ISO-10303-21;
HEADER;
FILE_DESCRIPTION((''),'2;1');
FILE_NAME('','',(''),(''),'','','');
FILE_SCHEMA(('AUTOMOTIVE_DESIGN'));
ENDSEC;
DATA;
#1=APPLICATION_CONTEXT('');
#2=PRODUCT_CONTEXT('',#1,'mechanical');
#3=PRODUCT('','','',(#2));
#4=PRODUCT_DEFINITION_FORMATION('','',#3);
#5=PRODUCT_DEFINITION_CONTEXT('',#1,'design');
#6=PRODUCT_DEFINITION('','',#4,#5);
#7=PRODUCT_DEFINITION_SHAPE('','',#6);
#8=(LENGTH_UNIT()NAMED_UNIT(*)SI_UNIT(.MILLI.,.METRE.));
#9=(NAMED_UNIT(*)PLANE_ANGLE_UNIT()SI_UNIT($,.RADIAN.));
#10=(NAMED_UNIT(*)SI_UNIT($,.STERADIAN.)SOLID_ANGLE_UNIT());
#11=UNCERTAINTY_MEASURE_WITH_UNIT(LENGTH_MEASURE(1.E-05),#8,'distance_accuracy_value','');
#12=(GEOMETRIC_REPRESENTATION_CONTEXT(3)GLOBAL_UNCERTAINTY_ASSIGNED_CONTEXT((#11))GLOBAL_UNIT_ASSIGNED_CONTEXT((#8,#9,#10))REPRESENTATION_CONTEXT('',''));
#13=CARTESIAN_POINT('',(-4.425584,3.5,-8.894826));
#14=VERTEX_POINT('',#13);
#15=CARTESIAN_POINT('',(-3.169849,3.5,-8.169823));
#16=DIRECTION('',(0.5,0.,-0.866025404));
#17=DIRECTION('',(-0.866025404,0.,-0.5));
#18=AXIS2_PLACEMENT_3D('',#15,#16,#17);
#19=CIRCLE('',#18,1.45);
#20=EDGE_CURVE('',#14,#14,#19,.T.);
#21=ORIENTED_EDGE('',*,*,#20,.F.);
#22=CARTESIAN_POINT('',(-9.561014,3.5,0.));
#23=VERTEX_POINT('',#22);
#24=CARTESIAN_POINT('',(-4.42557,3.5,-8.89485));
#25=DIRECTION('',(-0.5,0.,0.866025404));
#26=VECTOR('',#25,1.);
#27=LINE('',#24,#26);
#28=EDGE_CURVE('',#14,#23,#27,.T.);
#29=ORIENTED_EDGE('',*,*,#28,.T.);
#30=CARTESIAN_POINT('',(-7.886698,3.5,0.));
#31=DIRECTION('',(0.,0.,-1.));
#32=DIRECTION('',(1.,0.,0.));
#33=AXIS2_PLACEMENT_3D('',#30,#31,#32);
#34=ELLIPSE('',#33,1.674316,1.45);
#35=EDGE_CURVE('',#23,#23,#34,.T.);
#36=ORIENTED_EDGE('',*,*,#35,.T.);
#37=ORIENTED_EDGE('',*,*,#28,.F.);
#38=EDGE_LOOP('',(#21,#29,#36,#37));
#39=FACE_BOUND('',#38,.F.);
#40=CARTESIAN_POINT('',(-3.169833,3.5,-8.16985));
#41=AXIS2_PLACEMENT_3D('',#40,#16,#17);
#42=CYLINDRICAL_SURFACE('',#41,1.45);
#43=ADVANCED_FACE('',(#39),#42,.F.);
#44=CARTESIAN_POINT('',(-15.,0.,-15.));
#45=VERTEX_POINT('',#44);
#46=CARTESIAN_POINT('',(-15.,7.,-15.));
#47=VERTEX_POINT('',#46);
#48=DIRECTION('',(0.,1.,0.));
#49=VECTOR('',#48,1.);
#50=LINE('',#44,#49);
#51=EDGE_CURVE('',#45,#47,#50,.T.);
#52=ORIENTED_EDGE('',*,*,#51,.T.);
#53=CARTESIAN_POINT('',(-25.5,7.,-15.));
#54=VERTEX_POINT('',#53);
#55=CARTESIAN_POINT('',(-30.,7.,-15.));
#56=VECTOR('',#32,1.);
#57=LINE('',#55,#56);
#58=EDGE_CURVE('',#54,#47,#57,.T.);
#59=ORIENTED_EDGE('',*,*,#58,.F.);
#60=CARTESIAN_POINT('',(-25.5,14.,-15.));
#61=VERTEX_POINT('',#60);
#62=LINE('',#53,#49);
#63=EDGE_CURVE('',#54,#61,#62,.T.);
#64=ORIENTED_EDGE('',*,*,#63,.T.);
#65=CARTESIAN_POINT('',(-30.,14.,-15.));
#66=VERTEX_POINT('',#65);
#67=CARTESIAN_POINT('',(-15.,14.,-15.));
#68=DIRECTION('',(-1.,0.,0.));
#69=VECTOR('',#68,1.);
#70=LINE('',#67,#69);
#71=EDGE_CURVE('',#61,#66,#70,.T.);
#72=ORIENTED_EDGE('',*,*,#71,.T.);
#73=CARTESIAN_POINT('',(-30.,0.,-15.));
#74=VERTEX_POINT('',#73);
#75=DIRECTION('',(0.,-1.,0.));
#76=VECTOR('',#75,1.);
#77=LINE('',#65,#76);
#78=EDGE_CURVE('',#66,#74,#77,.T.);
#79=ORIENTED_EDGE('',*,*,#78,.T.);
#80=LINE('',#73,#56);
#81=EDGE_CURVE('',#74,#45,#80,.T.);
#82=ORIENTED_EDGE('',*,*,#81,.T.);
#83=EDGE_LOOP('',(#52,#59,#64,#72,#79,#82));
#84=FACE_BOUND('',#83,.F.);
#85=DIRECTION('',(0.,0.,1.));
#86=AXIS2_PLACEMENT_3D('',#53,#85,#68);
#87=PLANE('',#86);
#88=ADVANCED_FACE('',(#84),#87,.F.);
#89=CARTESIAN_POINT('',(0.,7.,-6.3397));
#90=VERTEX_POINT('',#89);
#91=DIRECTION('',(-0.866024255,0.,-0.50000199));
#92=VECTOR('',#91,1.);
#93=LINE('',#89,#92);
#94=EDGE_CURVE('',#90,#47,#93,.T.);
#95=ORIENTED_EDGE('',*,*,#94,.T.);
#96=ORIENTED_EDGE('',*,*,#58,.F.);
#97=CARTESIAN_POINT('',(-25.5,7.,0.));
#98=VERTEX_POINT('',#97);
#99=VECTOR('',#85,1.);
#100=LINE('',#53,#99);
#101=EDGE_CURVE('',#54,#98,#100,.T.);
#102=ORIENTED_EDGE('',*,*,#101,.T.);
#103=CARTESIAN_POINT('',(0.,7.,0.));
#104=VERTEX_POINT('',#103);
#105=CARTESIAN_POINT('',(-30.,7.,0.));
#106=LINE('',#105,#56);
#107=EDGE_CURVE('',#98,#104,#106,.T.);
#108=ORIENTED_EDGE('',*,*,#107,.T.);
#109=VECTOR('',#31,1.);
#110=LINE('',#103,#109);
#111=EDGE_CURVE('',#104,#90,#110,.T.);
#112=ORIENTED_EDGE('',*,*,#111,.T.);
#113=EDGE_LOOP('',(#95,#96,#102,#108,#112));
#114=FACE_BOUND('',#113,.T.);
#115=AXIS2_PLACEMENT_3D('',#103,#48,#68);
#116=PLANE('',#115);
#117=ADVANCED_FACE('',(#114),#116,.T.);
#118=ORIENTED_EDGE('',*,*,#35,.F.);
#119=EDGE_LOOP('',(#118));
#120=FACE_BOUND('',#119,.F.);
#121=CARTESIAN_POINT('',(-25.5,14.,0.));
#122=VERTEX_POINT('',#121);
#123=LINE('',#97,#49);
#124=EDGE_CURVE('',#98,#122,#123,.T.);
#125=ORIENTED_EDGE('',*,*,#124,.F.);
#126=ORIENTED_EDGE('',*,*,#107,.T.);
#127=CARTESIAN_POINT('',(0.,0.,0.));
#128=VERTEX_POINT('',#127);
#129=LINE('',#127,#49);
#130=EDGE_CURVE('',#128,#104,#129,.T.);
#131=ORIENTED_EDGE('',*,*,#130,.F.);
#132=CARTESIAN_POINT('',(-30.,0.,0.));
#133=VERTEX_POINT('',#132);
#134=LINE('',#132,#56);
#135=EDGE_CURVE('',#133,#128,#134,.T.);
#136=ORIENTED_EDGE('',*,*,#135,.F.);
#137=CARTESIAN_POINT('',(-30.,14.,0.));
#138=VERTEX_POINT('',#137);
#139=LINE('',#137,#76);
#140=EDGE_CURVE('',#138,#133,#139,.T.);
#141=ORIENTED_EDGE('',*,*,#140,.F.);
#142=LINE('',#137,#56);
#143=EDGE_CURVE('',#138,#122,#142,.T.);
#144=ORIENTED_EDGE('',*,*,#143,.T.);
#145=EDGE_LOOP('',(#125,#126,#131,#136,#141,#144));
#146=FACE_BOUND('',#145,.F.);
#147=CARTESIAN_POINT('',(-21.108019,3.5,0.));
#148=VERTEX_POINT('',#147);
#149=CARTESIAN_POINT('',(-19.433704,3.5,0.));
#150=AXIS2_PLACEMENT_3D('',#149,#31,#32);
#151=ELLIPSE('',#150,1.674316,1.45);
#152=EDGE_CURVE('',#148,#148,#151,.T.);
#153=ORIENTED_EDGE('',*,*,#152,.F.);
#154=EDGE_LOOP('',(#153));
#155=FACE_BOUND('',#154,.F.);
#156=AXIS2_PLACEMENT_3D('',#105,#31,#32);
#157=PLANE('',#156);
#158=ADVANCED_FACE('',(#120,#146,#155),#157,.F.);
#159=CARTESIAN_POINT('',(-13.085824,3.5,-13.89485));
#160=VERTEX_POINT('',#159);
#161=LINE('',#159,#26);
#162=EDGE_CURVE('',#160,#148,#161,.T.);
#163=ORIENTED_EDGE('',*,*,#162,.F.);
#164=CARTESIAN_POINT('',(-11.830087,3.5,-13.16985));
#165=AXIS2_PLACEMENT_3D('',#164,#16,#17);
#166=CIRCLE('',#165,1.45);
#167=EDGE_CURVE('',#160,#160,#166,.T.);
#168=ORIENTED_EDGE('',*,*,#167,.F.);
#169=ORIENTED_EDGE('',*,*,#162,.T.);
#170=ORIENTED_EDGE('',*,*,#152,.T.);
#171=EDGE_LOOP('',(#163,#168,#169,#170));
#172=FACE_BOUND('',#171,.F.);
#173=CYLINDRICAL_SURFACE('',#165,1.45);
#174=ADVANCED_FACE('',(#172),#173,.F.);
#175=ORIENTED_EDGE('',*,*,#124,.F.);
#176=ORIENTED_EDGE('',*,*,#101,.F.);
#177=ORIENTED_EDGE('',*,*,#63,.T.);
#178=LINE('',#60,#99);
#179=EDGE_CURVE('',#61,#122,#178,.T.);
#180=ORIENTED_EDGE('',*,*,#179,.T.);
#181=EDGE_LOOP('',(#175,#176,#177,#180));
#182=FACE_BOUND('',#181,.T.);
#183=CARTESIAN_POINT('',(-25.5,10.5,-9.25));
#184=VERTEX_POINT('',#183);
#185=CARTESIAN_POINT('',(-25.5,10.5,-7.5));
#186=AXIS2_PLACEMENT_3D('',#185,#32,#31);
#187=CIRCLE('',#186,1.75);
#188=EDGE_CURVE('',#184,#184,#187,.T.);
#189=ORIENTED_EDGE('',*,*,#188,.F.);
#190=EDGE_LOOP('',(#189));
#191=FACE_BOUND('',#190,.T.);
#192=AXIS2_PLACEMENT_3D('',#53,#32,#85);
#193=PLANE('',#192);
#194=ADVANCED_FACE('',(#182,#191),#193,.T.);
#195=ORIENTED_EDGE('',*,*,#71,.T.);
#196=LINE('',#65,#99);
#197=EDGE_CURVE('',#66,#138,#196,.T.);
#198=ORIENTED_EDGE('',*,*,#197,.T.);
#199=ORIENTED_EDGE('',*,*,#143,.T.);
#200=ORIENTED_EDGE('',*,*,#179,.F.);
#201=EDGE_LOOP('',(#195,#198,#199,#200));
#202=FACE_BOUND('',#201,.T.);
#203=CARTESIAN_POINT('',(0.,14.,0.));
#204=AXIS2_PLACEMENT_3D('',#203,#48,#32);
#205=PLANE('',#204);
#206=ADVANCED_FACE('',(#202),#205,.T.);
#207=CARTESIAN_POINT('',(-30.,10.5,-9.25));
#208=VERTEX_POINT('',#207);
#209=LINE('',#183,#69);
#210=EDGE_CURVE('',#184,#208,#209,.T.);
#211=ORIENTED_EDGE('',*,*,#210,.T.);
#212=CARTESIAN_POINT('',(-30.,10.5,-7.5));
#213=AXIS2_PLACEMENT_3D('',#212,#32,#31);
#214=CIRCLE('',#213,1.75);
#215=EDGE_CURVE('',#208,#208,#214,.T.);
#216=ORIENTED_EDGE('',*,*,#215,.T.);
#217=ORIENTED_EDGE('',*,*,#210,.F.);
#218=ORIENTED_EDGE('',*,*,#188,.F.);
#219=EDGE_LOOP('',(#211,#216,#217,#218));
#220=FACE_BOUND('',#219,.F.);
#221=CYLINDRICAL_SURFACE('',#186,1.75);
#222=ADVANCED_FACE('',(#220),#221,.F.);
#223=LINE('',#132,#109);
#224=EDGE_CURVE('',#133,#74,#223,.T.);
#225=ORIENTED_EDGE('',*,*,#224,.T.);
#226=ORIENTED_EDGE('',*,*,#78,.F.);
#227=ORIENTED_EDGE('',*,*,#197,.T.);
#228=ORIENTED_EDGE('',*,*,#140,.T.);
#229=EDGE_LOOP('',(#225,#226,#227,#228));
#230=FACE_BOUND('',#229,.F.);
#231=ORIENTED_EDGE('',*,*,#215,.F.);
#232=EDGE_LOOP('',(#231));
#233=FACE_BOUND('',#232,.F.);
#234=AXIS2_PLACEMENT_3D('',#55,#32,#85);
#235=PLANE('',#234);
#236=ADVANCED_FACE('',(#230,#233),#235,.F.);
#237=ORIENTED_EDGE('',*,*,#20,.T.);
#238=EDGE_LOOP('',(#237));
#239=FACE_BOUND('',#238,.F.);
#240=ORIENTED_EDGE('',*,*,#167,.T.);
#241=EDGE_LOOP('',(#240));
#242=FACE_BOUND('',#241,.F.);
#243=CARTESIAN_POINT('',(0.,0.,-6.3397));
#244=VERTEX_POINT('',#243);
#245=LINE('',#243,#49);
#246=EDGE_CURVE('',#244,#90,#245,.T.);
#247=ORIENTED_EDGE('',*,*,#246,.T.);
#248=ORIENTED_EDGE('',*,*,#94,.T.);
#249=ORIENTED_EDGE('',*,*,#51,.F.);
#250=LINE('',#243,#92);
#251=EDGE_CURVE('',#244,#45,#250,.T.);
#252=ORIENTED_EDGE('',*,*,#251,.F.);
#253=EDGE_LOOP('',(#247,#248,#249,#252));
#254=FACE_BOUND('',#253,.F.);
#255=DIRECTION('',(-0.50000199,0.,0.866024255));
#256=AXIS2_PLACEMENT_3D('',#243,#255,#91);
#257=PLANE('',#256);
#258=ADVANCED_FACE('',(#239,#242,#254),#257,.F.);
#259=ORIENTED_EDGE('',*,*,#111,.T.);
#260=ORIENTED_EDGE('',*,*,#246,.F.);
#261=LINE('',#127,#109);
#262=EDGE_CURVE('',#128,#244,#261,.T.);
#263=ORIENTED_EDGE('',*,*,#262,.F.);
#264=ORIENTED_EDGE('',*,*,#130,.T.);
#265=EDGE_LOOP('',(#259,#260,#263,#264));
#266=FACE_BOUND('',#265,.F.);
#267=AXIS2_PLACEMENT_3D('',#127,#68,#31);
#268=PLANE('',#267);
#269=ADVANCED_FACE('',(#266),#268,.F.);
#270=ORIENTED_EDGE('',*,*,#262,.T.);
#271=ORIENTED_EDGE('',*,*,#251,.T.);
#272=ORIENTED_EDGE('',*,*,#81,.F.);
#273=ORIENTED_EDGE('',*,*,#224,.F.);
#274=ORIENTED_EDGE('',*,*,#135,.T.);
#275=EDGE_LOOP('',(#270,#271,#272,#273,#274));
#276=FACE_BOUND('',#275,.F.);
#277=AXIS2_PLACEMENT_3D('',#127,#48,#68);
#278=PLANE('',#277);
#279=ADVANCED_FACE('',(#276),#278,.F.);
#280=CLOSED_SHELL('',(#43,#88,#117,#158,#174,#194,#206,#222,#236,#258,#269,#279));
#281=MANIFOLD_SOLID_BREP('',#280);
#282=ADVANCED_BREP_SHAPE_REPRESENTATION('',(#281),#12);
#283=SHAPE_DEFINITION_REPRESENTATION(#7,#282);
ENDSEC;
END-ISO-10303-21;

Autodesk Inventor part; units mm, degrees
ref_plane "YZ Plane" through (0, 0, 0) normal (1, 0, 0) x (0, 1, 0)
ref_plane "XZ Plane" through (0, 0, 0) normal (0, 1, 0) x (-1, 0, 0)
ref_plane "XY Plane" through (0, 0, 0) normal (0, 0, 1) x (1, 0, 0)
sketch "Sketch1" plane through (0, 0, 0) normal (0, 1, 0) x (-1, 0, 0)
  line L0 (0, 0) -> (0, -6.3397)
  line L1 (0, -6.3397) -> (15, -15)
  line L2 (30, 0) -> (0, 0)
  line L3 (30, 0) -> (30, -15)
  line L4 (30, -15) -> (15, -15)
  dimension "d1" = 60
  dimension "d25" = 15
  dimension "d26" = 15
  dimension "d27" = 15
extrude "Extrusion1" add sketch "Sketch1" along normal blind 7
sketch "Sketch2" plane through (-15, 0, -15) normal (0.5, 0, -0.866) x (-0.866, 0, -0.5)
  line L0 (-17.3205, 0) -> (0, 0) projected
  line L1 (0, 0) -> (0, 7) projected
  line L2 (-17.3205, 7) -> (0, 7) projected
  line L3 (-17.3205, 0) -> (-17.3205, 7) projected
  circle A0 centre (-3.6603, 3.5) radius 1.45
  circle A1 centre (-13.6603, 3.5) radius 1.45
  point P0 (-20.4904, 0)
  dimension "d5" = 2.9
  dimension "d6" = 10
  dimension "d8" = 7
  dimension "d9" = 3.5
  dimension "d10" = 17.3205
  dimension "d11" = 3.6603
extrude "Extrusion2" cut sketch "Sketch2" against normal through all contours A0 | A1
sketch "Sketch6" plane through (0, 7, 0) normal (0, 1, 0) x (1, 0, 0)
  line L0 (0, 0) -> (0, 6.3397) projected
  line L1 (0, 6.3397) -> (-15, 15) projected
  line L2 (-15, 15) -> (-30, 15) projected
  line L3 (-30, 15) -> (-30, 0) projected
  line L4 (-30, 0) -> (0, 0) projected
  line L5 (0, 6.3397) -> (-15, 15) projected
  line L6 (-30, 0) -> (0, 0) projected
  line L7 (-25.5, 15) -> (-25.5, 0)
  dimension "d34" = 4.5
extrude "Extrusion5" add sketch "Sketch6" along normal blind 7 contours L4 L3 L2 L7
sketch "Sketch8" plane through (-25.5, 7, 0) normal (1, 0, 0) x (0, 0, -1)
  line L0 (15, 0) -> (0, 0) projected
  line L1 (15, 0) -> (15, 7) projected
  line L2 (0, 7) -> (15, 7) projected
  line L3 (0, 0) -> (0, 7) projected
  circle A0 centre (7.5, 3.5) radius 1.75
  point P0 (0, -7)
  point P1 (0, 3.5)
  point P2 (7.5, 0)
  dimension "d35" = 3.5
extrude "Extrusion7" cut sketch "Sketch8" against normal through all contours A0
equation "\"d9\" = 0.5 * d8"
equation "\"d11\" = -0.5 * d6 + 0.5 * d10"
properties part number "LEDBracket" material "ABS Plastic"
